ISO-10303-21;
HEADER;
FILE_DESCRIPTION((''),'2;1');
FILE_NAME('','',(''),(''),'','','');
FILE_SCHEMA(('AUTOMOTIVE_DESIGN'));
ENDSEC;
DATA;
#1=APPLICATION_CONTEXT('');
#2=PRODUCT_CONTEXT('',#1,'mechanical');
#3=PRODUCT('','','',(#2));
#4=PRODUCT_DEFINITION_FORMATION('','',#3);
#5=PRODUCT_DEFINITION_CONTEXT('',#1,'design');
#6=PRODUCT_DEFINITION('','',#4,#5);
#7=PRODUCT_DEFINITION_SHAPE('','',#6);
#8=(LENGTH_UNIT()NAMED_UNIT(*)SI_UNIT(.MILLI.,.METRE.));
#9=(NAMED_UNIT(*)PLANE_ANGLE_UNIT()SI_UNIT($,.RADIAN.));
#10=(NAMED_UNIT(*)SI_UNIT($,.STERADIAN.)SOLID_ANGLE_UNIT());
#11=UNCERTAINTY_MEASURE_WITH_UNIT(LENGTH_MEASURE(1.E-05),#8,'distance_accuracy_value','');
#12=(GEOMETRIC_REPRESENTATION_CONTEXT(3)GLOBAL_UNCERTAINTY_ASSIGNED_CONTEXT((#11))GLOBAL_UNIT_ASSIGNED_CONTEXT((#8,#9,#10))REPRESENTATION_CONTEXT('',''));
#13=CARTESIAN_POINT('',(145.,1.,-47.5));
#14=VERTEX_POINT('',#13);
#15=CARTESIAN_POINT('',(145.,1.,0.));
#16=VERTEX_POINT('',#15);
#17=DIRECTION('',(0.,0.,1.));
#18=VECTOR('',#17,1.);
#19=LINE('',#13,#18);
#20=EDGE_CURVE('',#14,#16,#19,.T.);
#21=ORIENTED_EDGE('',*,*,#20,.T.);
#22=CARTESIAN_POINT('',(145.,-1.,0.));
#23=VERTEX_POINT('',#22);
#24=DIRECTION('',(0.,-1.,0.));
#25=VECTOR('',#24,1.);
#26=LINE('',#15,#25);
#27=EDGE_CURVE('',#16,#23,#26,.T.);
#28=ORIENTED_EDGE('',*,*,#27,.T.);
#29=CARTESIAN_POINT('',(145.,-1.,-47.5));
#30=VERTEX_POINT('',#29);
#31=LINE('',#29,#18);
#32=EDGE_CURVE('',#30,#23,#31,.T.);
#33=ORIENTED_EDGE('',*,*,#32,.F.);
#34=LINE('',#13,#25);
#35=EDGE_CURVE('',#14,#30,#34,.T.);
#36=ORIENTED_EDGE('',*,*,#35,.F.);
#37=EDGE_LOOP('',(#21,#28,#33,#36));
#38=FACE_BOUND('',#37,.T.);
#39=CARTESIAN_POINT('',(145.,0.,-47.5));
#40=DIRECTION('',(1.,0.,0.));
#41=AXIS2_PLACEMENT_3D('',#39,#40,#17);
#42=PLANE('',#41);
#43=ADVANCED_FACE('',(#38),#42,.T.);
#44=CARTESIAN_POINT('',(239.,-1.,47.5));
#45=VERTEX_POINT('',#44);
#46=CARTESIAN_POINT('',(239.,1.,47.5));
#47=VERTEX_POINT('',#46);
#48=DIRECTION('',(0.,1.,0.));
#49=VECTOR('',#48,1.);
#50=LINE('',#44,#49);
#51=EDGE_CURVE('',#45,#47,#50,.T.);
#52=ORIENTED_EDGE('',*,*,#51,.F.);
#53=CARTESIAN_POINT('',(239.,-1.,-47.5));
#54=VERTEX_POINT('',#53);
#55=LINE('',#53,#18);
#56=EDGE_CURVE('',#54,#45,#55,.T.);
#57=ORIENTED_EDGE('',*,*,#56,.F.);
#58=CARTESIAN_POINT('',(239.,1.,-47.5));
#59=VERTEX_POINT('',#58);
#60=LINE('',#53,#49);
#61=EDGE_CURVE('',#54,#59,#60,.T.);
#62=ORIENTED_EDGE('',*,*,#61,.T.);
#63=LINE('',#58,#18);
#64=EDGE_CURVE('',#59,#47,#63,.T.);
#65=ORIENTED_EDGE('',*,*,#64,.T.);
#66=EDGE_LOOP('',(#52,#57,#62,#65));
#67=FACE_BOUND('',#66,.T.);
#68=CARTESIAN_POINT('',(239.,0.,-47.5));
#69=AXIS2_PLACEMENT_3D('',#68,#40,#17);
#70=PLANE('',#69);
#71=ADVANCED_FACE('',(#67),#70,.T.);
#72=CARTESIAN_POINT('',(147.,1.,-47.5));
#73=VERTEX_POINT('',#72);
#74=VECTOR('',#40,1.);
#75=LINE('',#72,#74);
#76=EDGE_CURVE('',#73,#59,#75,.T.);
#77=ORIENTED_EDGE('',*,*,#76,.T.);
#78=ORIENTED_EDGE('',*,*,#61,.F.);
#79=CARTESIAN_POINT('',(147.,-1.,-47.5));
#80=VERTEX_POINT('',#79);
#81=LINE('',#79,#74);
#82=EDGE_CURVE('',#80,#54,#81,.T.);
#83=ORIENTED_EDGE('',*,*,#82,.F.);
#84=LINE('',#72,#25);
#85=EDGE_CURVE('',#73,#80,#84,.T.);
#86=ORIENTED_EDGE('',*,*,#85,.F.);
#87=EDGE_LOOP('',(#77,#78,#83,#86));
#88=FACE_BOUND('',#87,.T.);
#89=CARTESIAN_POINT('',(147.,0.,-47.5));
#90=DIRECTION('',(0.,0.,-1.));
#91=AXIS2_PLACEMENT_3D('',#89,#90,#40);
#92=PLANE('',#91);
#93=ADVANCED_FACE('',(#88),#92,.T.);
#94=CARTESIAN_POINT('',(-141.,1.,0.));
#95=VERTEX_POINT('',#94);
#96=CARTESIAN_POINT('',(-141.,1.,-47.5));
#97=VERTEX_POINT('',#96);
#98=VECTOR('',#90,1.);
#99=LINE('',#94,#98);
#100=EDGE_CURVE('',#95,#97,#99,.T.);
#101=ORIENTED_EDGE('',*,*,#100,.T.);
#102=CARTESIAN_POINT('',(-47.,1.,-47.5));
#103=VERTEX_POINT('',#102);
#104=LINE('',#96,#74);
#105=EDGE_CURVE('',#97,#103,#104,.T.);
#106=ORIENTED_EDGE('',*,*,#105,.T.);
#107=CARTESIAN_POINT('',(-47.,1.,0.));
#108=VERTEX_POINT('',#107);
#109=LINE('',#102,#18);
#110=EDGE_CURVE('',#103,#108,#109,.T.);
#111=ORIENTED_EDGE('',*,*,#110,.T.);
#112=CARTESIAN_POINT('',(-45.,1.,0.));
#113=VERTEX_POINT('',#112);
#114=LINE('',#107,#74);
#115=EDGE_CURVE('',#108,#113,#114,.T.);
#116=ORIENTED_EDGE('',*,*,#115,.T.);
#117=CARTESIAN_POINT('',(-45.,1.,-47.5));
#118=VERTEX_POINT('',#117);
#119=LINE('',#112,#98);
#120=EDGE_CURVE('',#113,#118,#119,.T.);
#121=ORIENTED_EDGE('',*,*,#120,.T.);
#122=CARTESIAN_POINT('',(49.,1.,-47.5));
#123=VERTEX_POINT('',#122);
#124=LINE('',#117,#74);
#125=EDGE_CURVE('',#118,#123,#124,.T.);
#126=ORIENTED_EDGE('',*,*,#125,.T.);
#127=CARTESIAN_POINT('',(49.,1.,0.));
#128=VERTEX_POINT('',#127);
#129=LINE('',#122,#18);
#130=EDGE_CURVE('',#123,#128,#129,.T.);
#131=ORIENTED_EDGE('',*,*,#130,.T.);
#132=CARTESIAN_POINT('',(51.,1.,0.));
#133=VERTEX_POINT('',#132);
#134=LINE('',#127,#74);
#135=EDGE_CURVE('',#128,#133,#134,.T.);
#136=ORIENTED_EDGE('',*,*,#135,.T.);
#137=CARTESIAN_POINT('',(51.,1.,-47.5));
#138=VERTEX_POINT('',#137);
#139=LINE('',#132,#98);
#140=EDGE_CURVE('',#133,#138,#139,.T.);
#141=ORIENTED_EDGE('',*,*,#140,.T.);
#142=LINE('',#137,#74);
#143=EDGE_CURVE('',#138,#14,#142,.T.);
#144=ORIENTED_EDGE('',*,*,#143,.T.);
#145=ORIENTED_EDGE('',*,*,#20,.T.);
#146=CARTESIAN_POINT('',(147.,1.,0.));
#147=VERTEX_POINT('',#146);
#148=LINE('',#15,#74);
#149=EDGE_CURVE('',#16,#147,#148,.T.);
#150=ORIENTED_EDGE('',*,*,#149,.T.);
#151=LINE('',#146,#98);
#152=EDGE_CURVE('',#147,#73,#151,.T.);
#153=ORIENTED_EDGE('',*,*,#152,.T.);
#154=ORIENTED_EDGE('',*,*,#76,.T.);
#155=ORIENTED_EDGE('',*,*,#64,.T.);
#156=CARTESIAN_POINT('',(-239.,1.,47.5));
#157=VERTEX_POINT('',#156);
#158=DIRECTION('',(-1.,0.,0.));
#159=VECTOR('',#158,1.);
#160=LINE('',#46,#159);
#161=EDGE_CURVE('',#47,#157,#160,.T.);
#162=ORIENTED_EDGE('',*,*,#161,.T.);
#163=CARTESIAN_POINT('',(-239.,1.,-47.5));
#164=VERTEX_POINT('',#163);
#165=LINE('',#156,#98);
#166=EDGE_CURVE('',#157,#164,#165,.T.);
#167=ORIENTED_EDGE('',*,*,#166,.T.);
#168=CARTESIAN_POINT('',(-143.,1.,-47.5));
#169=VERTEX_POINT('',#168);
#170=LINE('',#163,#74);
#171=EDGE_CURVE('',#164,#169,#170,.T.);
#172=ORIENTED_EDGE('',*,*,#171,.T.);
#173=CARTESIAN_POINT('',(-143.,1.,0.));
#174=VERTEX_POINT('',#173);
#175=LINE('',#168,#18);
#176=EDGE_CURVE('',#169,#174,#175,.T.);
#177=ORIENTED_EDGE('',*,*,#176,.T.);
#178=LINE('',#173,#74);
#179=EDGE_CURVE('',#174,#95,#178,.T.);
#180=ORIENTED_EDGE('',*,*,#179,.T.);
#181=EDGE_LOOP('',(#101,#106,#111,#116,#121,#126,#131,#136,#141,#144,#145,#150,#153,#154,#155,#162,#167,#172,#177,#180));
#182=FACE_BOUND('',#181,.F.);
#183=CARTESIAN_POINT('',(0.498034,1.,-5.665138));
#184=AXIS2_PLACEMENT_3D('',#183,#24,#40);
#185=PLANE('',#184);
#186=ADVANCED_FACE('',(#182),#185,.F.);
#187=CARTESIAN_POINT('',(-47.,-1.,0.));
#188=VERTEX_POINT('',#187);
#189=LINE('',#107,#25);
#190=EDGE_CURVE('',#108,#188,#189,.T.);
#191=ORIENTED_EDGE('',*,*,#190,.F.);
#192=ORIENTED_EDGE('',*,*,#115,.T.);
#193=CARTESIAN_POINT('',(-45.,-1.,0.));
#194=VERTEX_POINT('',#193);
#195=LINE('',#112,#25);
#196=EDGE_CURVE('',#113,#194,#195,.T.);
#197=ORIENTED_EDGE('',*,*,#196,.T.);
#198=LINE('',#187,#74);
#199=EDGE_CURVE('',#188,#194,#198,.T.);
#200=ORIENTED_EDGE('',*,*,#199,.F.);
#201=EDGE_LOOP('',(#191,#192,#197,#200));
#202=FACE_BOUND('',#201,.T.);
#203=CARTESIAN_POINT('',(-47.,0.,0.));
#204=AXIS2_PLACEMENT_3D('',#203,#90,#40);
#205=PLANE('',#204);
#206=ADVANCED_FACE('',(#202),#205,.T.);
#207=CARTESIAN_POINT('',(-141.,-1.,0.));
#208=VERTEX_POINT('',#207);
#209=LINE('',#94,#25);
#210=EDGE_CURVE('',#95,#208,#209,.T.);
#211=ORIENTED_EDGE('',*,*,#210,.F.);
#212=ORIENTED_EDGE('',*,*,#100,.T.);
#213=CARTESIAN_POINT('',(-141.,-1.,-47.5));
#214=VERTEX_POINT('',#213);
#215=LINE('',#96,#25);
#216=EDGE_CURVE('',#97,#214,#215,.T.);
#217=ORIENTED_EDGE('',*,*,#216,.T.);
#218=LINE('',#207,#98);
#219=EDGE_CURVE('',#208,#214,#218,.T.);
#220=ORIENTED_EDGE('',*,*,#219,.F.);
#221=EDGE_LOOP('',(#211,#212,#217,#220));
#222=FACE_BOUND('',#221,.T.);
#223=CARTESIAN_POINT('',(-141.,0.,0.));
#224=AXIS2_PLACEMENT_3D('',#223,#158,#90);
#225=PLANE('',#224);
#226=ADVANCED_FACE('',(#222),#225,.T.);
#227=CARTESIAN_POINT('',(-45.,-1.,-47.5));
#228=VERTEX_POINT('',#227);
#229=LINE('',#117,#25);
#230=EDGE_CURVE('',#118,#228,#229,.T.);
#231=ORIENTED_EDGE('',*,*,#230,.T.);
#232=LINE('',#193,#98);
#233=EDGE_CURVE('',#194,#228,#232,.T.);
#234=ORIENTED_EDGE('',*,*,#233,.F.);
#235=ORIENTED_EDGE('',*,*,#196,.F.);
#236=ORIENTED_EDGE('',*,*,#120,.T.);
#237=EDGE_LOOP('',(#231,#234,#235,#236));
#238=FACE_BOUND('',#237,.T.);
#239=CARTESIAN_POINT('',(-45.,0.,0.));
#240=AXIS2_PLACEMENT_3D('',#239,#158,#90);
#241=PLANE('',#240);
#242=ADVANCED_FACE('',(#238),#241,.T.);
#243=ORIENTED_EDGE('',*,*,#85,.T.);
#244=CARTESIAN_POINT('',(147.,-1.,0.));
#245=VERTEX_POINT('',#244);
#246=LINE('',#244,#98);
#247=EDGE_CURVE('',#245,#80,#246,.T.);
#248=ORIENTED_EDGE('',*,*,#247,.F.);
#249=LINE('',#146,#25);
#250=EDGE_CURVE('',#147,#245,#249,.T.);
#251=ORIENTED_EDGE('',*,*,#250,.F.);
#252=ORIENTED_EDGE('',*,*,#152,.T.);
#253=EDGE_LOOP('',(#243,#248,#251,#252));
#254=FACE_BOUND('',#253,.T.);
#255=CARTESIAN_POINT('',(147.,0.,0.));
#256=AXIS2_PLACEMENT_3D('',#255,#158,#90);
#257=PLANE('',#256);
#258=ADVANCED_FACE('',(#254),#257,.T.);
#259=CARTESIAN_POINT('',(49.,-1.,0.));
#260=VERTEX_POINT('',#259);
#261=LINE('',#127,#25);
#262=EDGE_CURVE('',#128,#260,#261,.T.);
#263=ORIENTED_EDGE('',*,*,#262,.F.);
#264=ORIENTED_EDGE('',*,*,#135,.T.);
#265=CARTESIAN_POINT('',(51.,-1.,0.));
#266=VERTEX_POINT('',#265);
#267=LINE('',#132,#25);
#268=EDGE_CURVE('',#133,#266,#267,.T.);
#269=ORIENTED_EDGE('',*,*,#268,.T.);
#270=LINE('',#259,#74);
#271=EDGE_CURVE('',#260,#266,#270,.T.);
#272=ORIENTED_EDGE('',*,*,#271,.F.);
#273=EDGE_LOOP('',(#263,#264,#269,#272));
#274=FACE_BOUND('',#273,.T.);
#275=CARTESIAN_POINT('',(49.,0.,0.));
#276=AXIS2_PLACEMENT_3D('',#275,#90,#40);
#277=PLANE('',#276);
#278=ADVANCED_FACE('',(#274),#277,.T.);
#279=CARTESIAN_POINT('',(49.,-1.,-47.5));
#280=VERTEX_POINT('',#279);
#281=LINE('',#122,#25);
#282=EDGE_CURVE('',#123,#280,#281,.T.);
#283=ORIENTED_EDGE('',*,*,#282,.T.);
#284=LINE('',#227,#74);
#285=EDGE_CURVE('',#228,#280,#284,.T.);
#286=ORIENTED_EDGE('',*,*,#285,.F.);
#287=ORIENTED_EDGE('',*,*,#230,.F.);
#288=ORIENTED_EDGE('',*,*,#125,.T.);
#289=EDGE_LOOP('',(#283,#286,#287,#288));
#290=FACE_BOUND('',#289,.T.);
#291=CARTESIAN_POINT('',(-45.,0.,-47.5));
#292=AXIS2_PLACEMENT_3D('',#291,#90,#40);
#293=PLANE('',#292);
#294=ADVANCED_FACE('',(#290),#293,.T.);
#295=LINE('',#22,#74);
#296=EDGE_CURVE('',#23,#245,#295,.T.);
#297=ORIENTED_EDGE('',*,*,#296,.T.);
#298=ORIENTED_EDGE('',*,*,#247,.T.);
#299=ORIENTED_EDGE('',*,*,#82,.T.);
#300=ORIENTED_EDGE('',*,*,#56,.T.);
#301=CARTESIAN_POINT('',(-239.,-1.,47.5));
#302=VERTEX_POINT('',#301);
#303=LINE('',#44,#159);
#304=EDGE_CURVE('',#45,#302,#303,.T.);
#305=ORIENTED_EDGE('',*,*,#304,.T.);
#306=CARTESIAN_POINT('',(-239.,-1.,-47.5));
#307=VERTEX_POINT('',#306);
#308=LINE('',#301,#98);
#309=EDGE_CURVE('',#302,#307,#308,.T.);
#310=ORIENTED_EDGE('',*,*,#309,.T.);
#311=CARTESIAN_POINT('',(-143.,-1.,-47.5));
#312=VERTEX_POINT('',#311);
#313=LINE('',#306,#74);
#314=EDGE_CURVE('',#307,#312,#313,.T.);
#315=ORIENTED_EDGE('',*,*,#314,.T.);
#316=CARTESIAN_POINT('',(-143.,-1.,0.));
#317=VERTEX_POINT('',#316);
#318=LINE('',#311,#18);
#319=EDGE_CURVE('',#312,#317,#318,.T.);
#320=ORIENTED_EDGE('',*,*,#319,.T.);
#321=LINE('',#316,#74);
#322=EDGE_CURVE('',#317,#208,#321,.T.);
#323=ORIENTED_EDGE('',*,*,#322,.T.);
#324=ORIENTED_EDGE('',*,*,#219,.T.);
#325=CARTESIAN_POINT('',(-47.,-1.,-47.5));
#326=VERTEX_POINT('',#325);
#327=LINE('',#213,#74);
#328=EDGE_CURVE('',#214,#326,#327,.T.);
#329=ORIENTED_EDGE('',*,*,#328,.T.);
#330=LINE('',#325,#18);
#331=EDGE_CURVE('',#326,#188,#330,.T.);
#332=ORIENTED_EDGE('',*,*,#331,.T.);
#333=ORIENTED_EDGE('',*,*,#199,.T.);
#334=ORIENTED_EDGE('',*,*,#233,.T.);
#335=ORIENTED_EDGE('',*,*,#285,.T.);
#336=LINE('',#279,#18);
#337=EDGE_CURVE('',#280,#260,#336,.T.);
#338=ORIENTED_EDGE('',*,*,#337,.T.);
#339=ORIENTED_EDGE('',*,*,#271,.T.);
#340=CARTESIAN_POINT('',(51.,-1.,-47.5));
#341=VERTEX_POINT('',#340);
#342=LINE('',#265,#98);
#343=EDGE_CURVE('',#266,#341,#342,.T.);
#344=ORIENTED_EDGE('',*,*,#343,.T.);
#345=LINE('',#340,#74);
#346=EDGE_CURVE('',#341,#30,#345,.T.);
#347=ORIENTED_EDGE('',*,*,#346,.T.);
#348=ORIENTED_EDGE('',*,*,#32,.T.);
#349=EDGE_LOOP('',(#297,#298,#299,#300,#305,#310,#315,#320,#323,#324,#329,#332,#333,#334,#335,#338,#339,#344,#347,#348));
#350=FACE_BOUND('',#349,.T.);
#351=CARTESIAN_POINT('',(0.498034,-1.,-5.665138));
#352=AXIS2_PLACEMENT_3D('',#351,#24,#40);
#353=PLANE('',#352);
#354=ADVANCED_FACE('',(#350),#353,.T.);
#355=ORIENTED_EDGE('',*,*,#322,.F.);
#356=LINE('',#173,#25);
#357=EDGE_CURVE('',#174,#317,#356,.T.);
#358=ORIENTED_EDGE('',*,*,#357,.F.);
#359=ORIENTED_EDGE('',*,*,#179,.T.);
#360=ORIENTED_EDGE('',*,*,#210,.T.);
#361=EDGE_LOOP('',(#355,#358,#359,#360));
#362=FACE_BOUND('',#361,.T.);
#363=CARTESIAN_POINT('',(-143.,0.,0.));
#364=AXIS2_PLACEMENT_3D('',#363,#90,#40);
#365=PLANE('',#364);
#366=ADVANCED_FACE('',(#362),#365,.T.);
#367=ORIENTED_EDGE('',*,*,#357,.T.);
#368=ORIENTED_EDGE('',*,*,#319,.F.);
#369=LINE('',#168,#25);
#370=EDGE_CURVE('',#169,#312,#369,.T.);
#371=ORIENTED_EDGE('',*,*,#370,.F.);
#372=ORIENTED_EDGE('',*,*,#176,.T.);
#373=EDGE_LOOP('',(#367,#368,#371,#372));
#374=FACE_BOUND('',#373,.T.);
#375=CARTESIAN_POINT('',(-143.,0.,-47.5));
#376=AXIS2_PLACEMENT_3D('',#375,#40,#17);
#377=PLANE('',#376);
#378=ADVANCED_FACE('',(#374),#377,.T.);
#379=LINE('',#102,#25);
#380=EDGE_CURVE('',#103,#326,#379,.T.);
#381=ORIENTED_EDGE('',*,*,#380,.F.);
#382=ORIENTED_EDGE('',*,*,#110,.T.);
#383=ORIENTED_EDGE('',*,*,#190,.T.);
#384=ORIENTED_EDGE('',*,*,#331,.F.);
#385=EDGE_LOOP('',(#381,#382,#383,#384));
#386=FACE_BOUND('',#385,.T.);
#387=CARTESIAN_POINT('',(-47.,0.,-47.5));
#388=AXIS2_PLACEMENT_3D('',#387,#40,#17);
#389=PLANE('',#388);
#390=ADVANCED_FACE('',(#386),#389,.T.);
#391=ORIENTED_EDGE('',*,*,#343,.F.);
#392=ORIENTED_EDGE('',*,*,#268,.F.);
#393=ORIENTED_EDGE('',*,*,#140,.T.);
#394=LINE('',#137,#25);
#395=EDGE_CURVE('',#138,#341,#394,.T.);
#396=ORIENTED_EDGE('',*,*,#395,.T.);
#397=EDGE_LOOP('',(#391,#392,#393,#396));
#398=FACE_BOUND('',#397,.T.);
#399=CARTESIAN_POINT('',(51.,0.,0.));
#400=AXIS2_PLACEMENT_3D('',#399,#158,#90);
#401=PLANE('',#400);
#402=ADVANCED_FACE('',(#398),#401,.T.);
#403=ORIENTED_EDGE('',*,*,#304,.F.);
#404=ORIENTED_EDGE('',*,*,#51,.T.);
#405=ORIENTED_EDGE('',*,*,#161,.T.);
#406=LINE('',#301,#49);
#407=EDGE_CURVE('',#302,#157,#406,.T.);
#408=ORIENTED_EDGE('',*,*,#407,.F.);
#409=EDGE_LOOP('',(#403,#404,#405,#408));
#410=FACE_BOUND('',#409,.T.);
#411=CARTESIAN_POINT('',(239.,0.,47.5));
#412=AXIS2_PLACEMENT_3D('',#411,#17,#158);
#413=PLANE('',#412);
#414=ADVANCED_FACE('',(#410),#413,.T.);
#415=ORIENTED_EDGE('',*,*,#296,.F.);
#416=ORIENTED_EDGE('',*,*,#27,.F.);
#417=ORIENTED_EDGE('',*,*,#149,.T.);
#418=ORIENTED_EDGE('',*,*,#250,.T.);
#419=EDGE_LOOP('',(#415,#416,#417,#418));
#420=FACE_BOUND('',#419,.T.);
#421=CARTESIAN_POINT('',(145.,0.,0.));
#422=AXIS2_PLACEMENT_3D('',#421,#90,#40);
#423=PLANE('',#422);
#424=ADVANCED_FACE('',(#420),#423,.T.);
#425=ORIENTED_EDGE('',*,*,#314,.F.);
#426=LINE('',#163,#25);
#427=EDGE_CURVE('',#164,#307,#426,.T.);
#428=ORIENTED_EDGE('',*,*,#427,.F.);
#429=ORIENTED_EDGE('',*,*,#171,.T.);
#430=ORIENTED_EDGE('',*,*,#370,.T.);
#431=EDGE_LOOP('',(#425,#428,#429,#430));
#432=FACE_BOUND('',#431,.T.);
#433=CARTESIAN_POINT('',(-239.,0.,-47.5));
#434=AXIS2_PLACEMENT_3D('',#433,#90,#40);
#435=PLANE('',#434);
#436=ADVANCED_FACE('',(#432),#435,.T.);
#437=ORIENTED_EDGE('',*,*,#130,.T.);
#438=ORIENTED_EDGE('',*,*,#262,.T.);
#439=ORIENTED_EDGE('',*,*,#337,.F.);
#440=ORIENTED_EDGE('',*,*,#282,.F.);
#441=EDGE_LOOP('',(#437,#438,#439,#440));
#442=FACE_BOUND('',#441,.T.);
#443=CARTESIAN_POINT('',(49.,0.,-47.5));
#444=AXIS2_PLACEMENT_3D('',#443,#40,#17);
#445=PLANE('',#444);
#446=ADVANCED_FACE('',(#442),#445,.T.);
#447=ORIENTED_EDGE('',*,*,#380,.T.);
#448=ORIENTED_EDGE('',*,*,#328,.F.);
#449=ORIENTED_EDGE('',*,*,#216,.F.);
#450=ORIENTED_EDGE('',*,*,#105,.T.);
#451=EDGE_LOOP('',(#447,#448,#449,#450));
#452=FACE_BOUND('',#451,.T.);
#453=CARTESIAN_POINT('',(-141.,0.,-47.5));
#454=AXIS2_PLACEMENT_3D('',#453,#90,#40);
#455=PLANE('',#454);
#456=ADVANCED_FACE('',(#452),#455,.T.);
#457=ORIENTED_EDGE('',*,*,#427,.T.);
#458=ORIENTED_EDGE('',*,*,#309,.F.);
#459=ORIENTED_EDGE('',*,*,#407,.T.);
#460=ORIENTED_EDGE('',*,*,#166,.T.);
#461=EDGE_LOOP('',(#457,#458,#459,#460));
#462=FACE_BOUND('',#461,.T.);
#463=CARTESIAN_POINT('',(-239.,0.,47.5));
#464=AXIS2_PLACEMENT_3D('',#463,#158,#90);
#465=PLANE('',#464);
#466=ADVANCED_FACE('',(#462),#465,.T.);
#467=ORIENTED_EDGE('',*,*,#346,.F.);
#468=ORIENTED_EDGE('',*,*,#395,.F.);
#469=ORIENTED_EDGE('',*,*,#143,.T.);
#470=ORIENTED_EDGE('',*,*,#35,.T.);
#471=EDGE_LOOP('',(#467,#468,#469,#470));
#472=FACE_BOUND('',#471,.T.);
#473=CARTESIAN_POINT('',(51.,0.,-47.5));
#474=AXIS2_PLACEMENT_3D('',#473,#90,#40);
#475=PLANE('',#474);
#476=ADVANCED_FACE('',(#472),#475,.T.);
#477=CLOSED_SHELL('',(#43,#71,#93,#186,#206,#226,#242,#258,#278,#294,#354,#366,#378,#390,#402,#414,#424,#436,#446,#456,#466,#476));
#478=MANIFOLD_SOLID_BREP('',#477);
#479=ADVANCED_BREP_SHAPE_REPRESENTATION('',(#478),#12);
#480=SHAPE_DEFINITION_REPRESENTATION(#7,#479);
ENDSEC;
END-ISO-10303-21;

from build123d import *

# Parameters (mm, degrees)
F1_DEPTH = 1


with BuildPart() as f1:
    # F0 (on Front) → F1 (new body, symmetric)
    with BuildSketch(Plane.XZ):
        Polygon((-239, 47.5), (-239, -47.5), (-143, -47.5), (-143, 0), (-141, 0), (-141, -47.5), (-47, -47.5), (-47, 0), (-45, 0), (-45, -47.5), (49, -47.5), (49, 0), (51, 0), (51, -47.5), (145, -47.5), (145, 0), (147, 0), (147, -47.5), (239, -47.5), (239, 47.5), align=None)
    extrude(amount=F1_DEPTH, both=True)


solid = f1.part
